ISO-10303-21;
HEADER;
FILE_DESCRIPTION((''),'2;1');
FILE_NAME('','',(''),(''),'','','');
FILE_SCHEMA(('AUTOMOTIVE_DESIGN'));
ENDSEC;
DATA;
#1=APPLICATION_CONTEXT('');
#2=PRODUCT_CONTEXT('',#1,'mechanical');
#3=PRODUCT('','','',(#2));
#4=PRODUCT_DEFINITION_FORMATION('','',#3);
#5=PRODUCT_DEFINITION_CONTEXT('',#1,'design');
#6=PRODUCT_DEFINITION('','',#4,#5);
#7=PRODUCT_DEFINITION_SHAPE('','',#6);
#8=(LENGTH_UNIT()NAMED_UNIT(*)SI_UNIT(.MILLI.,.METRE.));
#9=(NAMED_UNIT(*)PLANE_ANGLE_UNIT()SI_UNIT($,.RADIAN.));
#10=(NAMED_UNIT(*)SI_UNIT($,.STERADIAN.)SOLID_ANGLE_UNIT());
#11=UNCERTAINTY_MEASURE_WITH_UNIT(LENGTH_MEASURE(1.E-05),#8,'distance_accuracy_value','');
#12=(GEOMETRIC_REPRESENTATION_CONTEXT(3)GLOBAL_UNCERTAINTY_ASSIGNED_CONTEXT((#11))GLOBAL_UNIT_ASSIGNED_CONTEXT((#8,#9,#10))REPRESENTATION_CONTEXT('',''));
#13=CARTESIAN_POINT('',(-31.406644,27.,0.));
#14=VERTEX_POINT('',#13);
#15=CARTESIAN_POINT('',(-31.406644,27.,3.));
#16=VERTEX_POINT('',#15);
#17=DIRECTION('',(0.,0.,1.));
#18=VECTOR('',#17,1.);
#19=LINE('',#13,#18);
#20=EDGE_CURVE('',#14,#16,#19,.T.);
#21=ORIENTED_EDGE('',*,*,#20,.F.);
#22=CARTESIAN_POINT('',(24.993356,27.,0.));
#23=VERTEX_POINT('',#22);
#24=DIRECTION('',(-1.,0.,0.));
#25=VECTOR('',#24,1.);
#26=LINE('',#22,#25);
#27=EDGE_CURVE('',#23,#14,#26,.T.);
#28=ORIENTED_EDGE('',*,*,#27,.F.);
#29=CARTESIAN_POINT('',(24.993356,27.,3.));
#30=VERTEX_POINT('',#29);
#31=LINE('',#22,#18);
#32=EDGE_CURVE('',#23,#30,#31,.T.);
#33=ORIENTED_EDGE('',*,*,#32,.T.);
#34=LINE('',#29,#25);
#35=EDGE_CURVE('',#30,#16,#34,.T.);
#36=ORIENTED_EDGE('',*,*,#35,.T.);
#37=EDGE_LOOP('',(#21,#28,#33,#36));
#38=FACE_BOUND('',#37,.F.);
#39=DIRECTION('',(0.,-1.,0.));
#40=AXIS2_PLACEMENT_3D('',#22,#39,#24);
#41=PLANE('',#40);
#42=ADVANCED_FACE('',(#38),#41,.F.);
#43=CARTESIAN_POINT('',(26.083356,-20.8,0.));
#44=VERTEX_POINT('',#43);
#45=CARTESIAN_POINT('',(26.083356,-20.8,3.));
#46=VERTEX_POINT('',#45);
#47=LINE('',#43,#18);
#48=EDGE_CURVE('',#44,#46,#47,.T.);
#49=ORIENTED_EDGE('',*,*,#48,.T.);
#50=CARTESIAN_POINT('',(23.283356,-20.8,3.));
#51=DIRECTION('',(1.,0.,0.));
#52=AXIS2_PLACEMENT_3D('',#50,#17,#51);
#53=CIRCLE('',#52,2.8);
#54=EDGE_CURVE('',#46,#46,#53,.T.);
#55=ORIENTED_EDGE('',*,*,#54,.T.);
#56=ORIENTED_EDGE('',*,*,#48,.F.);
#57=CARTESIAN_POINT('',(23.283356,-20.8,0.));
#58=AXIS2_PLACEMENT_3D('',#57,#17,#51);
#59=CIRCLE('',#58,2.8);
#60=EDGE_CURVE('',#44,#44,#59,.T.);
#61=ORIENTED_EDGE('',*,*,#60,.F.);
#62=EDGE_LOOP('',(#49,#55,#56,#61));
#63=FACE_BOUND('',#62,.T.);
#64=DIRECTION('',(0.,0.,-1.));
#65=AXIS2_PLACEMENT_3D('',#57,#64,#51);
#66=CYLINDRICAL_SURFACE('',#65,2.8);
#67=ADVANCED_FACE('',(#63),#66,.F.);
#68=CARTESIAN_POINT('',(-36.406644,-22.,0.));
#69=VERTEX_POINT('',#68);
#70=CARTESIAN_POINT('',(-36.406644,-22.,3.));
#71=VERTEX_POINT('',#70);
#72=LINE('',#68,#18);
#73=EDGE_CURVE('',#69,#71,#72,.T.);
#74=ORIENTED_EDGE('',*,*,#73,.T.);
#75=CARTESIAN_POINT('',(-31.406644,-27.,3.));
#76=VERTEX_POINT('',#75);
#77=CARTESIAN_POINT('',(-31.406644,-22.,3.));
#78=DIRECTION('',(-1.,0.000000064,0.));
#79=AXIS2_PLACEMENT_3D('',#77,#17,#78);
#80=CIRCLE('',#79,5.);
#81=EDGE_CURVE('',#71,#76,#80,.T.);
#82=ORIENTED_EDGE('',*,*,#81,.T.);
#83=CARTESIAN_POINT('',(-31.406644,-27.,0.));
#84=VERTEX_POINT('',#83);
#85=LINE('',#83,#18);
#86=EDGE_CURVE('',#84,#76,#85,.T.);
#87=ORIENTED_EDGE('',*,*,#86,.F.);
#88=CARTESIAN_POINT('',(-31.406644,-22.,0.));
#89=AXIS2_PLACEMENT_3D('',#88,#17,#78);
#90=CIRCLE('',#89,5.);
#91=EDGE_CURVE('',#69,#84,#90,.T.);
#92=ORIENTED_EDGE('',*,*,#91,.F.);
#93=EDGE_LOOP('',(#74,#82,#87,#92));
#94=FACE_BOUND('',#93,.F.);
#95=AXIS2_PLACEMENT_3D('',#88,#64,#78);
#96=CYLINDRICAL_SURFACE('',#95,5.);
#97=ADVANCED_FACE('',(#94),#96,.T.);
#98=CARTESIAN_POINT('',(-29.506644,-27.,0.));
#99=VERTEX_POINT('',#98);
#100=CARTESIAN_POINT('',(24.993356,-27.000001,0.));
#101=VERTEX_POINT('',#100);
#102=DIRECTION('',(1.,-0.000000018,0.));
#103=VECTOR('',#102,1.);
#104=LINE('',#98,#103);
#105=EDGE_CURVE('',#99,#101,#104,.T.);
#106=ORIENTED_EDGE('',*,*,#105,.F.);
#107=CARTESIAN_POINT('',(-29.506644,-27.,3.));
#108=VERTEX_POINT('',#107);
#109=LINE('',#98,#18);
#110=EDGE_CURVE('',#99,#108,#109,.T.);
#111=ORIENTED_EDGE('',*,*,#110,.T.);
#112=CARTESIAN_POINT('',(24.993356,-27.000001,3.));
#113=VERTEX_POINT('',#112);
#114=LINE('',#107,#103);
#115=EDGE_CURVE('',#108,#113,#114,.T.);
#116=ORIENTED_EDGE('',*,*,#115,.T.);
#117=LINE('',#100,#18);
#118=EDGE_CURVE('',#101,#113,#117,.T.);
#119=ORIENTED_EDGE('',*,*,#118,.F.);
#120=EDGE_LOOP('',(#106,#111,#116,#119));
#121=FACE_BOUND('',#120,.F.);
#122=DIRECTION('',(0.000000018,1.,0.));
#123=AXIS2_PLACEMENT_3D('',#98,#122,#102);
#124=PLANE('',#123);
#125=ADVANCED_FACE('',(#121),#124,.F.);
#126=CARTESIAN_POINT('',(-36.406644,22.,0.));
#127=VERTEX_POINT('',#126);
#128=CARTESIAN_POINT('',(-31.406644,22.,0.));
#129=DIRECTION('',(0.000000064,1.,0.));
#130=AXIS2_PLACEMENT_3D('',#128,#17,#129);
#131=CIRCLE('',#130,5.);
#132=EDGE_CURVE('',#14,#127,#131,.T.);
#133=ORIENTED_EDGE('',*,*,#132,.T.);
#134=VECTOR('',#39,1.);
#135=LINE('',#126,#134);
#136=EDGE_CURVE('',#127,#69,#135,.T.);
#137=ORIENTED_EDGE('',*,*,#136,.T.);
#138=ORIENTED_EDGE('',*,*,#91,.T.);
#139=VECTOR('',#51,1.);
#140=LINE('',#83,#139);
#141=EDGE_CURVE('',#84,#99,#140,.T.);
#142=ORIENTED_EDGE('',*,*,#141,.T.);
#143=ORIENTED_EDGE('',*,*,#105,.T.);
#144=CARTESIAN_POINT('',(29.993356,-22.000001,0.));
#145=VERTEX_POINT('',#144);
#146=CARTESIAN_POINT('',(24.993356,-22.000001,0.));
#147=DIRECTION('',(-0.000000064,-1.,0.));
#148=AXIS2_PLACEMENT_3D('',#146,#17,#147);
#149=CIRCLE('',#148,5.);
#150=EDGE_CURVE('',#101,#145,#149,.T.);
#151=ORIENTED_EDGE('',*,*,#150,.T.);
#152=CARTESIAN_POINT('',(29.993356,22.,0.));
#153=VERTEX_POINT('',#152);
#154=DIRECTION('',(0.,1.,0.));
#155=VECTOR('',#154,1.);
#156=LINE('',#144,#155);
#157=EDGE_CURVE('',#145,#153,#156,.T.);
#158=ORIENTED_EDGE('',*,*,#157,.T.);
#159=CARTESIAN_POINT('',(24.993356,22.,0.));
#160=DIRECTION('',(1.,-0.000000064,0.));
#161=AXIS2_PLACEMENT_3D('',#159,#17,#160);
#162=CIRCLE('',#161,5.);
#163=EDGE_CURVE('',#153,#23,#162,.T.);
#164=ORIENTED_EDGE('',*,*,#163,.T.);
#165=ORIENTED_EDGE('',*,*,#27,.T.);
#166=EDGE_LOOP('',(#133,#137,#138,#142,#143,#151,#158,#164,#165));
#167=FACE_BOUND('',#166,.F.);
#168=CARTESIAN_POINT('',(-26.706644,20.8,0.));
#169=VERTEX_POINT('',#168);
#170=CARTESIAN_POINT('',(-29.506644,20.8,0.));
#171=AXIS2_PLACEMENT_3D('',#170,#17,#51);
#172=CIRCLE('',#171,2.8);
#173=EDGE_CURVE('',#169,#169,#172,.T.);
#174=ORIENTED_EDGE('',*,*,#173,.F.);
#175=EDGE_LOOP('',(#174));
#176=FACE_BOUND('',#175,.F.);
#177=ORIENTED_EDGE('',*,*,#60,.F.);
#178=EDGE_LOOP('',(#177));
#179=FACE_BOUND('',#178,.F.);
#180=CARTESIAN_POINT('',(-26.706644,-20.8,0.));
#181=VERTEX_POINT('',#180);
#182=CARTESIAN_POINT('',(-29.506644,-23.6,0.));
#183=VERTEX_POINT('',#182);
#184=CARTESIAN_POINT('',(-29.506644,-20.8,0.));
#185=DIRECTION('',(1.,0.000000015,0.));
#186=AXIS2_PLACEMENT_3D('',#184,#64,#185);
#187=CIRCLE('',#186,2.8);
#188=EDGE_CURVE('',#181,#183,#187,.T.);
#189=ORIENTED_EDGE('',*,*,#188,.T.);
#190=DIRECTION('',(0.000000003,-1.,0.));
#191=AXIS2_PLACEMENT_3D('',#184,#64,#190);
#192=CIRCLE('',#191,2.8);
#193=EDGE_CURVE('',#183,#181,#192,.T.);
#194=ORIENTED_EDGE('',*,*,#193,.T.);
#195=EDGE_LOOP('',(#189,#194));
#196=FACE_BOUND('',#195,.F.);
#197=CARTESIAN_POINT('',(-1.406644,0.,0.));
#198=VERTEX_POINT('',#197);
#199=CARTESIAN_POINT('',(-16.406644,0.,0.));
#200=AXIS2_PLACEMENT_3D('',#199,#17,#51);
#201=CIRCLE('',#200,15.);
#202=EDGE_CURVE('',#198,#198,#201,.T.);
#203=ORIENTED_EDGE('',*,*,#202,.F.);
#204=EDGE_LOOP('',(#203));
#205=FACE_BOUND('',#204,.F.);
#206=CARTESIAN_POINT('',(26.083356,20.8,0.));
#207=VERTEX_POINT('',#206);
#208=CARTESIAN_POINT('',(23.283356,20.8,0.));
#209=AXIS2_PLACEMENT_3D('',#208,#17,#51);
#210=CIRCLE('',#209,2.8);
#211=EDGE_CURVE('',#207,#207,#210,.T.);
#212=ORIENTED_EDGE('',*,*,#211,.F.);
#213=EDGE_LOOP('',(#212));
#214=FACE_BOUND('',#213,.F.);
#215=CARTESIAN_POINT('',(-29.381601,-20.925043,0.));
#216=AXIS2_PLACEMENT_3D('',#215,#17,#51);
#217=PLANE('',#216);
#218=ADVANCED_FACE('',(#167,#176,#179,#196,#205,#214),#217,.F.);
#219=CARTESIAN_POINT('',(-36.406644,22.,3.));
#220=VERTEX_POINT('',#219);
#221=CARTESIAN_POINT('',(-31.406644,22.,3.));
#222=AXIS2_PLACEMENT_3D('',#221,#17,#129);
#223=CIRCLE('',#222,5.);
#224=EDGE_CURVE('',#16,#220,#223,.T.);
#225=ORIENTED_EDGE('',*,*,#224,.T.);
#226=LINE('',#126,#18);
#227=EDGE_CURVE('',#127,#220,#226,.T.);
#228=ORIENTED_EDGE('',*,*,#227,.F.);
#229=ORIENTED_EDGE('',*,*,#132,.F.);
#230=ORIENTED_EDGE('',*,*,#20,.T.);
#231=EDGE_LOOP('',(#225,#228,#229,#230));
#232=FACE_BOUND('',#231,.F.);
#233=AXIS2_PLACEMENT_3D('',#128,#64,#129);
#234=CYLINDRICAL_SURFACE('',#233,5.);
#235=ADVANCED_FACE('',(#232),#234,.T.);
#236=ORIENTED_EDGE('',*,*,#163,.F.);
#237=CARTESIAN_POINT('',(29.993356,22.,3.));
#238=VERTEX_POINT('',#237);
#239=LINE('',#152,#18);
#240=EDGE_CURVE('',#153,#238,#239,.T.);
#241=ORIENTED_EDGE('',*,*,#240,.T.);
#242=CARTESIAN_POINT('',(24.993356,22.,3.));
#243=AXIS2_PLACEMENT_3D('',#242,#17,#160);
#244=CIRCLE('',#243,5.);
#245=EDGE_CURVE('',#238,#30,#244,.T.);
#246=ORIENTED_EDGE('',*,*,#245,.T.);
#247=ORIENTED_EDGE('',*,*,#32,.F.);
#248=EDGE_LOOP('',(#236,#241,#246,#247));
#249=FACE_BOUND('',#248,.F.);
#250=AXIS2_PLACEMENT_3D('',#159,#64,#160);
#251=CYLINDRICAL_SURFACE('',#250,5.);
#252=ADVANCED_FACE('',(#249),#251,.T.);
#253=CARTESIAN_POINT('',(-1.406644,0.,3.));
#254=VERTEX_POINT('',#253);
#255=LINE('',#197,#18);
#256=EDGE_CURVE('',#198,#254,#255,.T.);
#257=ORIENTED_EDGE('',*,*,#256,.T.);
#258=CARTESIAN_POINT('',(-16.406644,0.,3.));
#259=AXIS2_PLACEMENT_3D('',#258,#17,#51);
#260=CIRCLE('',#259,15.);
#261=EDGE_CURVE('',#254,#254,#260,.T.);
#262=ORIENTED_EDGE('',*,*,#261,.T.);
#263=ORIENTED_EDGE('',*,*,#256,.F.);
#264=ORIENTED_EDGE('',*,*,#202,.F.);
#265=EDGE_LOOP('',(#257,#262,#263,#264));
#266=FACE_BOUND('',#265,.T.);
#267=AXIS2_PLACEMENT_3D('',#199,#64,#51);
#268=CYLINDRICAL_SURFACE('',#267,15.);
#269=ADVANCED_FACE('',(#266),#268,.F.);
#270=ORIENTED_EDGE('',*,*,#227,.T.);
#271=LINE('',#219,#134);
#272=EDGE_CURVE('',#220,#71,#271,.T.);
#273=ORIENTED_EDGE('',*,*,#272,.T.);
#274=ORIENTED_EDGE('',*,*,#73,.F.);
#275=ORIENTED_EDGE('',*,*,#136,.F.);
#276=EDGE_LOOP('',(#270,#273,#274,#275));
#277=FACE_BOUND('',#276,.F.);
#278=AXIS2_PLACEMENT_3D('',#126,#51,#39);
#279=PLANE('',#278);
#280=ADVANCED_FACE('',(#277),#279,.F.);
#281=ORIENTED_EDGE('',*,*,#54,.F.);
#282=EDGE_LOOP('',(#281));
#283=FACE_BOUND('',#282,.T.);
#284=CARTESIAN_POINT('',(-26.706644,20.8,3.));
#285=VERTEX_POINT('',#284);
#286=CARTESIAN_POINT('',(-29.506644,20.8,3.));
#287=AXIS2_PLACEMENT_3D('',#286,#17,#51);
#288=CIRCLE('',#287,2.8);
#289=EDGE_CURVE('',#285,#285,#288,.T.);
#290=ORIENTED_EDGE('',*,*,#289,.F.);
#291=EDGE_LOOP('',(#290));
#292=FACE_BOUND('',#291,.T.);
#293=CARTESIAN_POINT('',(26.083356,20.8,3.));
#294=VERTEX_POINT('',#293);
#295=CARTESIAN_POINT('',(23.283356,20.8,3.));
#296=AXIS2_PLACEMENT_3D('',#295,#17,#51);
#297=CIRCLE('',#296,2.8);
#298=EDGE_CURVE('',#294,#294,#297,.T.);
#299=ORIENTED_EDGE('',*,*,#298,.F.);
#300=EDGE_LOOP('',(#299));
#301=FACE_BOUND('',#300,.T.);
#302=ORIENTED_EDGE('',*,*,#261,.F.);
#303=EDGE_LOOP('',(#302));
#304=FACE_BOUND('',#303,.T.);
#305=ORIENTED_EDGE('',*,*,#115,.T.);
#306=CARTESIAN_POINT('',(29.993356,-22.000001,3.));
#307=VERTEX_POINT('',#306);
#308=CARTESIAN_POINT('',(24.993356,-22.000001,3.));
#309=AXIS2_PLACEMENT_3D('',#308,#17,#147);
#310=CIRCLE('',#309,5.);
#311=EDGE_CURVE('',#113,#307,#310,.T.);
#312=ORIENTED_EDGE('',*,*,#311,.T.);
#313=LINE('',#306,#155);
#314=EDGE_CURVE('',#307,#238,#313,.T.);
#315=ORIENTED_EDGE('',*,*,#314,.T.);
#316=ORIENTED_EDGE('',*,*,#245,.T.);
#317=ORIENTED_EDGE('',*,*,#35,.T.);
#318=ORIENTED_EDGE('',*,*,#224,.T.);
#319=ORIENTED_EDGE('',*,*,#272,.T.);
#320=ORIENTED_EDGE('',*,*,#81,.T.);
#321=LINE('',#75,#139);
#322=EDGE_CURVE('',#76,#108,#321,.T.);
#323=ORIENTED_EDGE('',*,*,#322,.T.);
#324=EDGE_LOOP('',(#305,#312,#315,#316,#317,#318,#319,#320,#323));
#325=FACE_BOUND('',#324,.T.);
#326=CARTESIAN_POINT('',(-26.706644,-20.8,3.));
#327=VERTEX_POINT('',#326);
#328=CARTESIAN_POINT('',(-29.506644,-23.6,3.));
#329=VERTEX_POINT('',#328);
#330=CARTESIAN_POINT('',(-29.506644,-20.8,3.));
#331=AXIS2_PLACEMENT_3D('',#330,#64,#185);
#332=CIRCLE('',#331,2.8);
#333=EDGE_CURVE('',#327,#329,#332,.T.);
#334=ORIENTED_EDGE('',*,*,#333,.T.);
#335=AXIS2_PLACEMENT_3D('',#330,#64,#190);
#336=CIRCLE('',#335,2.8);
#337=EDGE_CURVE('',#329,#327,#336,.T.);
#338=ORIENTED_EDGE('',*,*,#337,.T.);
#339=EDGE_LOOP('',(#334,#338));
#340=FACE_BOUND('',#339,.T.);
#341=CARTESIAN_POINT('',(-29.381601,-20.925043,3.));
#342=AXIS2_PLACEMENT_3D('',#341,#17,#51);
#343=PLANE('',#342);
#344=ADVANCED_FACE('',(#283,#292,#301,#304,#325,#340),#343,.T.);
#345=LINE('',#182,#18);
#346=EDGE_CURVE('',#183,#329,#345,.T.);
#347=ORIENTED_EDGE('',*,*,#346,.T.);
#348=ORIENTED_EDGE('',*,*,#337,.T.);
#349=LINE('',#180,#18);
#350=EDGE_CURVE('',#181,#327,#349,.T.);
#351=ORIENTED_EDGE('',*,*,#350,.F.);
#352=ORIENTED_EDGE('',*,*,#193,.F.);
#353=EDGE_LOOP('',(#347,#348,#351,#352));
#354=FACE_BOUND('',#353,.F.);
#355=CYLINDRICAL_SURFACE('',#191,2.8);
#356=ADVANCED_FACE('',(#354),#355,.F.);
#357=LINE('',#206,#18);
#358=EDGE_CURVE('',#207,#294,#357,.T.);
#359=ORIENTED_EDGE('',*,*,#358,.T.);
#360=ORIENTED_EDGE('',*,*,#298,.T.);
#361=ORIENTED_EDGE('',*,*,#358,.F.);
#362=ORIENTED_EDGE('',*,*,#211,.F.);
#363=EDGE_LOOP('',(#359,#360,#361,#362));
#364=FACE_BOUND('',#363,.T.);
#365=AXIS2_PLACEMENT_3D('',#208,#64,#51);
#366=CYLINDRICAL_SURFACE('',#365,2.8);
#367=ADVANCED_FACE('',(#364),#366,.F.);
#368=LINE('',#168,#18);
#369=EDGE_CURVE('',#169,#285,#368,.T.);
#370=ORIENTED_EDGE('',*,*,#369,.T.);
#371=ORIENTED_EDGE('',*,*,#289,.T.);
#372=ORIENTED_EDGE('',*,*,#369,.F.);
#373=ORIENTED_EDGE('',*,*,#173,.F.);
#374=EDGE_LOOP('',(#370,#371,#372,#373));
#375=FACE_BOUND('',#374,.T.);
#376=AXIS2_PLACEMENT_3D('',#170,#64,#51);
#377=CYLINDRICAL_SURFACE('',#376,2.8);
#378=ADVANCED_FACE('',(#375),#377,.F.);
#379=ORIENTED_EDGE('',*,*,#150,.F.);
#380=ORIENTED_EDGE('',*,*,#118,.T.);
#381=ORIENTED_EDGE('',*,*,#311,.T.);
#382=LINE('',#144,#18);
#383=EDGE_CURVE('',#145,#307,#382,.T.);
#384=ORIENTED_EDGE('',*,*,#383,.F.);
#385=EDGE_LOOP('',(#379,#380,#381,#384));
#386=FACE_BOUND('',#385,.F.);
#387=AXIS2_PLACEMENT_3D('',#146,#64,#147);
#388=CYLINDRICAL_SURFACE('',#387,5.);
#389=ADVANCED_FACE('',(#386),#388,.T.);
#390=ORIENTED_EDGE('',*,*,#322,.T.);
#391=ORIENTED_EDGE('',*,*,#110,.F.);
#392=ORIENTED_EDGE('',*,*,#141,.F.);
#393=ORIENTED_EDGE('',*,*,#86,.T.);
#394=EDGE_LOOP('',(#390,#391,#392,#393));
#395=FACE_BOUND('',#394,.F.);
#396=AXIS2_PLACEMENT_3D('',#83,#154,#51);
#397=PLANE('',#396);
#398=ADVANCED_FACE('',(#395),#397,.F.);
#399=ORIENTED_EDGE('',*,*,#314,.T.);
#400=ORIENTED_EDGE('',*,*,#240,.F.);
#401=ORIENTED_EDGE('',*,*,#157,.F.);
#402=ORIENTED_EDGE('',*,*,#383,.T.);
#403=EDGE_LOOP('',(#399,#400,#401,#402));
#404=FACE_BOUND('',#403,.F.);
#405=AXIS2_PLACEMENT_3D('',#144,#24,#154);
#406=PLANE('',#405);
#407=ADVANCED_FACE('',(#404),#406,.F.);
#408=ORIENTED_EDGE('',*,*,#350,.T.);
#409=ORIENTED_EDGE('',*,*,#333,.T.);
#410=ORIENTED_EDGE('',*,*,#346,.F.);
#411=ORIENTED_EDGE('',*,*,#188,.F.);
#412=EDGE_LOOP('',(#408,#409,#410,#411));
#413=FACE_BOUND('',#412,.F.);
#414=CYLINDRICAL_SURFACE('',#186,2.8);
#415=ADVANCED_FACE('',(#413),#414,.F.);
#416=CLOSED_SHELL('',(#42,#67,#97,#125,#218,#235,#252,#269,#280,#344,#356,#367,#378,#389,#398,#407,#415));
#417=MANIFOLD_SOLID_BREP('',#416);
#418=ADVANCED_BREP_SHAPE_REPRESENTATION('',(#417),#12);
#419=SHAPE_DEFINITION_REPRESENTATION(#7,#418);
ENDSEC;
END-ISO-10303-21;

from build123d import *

# Parameters (mm, degrees)
F0_R     = 2.8
F0_R_2   = 15
F1_DEPTH = 3


with BuildPart() as f1:
    # F0 (on Top) → F1 (new body)
    with BuildSketch(Plane.XY):
        with BuildLine():
            ThreePointArc((-26.706644, -20.8), (-31.486543, -18.820101), (-29.506644, -23.6))
            ThreePointArc((-29.506644, -23.6), (-27.526745, -22.779899), (-26.706644, -20.8))
        make_face()
        with BuildLine():
            ThreePointArc((-31.406644, 27), (-34.942178, 25.535534), (-36.406644, 22))
            Line((-36.406644, 22), (-36.406644, -22))
            ThreePointArc((-36.406644, -22), (-34.942178, -25.535534), (-31.406644, -27))
            Line((-31.406644, -27), (-29.506644, -27))
            Line((-29.506644, -27), (24.993356, -27.000001))
            ThreePointArc((24.993356, -27.000001), (28.52889, -25.535535), (29.993356, -22.000001))
            Line((29.993356, -22.000001), (29.993356, 22))
            ThreePointArc((29.993356, 22), (28.52889, 25.535534), (24.993356, 27))
            Line((24.993356, 27), (-31.406644, 27))
        make_face()
        with BuildLine():
            ThreePointArc((-26.706644, -20.8), (-27.526745, -22.779899), (-29.506644, -23.6))
            ThreePointArc((-29.506644, -23.6), (-31.486543, -18.820101), (-26.706644, -20.8))
        make_face(mode=Mode.SUBTRACT)
        with Locations((23.283356, -20.8)):
            Circle(F0_R, mode=Mode.SUBTRACT)
        with Locations((-16.406644, 0)):
            Circle(F0_R_2, mode=Mode.SUBTRACT)
        with Locations((-29.506644, 20.8)):
            Circle(F0_R, mode=Mode.SUBTRACT)
        with Locations((23.283356, 20.8)):
            Circle(F0_R, mode=Mode.SUBTRACT)
    extrude(amount=F1_DEPTH)


solid = f1.part
